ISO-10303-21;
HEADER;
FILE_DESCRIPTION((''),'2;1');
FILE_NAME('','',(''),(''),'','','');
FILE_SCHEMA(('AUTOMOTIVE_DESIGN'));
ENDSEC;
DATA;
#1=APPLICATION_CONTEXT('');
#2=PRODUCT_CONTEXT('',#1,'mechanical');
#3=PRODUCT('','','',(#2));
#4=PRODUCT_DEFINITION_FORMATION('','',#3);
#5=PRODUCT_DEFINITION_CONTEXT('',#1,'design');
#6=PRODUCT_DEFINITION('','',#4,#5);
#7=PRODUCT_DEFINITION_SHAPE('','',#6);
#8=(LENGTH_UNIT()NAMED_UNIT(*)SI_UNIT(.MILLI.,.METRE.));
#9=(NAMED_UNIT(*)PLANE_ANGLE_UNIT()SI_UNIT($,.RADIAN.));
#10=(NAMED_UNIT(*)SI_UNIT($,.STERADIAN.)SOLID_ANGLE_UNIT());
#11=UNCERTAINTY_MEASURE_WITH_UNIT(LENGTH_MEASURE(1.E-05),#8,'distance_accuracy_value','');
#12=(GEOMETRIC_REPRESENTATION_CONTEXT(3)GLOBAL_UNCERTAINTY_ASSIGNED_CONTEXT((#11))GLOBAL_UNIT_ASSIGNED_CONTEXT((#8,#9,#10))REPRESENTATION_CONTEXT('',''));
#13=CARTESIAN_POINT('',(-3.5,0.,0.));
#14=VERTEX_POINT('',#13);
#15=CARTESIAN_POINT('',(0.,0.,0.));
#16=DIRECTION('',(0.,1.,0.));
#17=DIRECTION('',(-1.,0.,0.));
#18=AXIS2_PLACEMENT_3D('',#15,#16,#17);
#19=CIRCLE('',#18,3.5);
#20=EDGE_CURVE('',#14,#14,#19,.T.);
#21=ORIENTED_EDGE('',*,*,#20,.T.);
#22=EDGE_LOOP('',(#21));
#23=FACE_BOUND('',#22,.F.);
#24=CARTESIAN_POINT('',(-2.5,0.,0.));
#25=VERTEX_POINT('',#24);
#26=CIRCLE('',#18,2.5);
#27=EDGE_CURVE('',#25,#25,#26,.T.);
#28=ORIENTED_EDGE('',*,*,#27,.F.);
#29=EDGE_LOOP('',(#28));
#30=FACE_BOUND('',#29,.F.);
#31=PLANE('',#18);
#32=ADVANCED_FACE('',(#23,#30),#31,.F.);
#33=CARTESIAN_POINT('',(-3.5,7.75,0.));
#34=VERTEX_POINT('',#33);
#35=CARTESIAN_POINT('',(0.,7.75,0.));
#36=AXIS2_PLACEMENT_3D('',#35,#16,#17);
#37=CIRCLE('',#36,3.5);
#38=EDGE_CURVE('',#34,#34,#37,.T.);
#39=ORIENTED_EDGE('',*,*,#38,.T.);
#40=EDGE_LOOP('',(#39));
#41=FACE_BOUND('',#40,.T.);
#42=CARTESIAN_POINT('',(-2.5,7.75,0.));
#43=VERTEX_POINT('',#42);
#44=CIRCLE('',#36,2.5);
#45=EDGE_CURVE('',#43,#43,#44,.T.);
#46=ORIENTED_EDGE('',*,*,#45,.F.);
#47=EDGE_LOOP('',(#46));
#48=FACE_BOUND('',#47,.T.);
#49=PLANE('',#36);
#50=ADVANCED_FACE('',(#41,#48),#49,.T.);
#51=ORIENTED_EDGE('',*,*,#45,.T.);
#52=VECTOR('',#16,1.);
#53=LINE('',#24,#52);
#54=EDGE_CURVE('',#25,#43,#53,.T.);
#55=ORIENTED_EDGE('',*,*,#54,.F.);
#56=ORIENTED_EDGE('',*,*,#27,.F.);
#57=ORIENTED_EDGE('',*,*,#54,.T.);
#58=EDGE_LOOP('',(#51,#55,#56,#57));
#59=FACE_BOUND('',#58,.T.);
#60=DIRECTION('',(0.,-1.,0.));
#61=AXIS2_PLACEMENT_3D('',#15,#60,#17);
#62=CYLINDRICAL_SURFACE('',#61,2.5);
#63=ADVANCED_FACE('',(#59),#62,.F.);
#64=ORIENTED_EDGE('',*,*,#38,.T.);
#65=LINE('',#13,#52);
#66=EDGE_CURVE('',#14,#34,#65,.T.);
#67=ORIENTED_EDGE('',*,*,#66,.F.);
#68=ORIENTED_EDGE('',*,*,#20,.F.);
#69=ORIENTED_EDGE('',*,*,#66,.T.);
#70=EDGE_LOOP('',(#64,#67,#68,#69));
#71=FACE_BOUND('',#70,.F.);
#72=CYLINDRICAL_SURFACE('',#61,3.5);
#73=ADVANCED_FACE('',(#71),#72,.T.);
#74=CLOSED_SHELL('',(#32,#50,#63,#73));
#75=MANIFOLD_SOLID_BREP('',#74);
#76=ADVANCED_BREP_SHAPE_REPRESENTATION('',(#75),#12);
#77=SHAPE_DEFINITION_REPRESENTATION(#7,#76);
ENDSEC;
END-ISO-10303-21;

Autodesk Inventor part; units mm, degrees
ref_plane "YZ Plane" through (0, 0, 0) normal (1, 0, 0) x (0, 1, 0)
ref_plane "XZ Plane" through (0, 0, 0) normal (0, 1, 0) x (-1, 0, 0)
ref_plane "XY Plane" through (0, 0, 0) normal (0, 0, 1) x (1, 0, 0)
sketch "Sketch1" plane through (0, 0, 0) normal (0, 1, 0) x (-1, 0, 0)
  circle A0 centre (0, 0) radius 3.5
  circle A1 centre (0, 0) radius 2.5
  dimension "d0" = 7
  dimension "d1" = 1
extrude "Extrusion1" add sketch "Sketch1" along normal blind 7.75
properties part number "Pulley-Extrusion Spacer"
